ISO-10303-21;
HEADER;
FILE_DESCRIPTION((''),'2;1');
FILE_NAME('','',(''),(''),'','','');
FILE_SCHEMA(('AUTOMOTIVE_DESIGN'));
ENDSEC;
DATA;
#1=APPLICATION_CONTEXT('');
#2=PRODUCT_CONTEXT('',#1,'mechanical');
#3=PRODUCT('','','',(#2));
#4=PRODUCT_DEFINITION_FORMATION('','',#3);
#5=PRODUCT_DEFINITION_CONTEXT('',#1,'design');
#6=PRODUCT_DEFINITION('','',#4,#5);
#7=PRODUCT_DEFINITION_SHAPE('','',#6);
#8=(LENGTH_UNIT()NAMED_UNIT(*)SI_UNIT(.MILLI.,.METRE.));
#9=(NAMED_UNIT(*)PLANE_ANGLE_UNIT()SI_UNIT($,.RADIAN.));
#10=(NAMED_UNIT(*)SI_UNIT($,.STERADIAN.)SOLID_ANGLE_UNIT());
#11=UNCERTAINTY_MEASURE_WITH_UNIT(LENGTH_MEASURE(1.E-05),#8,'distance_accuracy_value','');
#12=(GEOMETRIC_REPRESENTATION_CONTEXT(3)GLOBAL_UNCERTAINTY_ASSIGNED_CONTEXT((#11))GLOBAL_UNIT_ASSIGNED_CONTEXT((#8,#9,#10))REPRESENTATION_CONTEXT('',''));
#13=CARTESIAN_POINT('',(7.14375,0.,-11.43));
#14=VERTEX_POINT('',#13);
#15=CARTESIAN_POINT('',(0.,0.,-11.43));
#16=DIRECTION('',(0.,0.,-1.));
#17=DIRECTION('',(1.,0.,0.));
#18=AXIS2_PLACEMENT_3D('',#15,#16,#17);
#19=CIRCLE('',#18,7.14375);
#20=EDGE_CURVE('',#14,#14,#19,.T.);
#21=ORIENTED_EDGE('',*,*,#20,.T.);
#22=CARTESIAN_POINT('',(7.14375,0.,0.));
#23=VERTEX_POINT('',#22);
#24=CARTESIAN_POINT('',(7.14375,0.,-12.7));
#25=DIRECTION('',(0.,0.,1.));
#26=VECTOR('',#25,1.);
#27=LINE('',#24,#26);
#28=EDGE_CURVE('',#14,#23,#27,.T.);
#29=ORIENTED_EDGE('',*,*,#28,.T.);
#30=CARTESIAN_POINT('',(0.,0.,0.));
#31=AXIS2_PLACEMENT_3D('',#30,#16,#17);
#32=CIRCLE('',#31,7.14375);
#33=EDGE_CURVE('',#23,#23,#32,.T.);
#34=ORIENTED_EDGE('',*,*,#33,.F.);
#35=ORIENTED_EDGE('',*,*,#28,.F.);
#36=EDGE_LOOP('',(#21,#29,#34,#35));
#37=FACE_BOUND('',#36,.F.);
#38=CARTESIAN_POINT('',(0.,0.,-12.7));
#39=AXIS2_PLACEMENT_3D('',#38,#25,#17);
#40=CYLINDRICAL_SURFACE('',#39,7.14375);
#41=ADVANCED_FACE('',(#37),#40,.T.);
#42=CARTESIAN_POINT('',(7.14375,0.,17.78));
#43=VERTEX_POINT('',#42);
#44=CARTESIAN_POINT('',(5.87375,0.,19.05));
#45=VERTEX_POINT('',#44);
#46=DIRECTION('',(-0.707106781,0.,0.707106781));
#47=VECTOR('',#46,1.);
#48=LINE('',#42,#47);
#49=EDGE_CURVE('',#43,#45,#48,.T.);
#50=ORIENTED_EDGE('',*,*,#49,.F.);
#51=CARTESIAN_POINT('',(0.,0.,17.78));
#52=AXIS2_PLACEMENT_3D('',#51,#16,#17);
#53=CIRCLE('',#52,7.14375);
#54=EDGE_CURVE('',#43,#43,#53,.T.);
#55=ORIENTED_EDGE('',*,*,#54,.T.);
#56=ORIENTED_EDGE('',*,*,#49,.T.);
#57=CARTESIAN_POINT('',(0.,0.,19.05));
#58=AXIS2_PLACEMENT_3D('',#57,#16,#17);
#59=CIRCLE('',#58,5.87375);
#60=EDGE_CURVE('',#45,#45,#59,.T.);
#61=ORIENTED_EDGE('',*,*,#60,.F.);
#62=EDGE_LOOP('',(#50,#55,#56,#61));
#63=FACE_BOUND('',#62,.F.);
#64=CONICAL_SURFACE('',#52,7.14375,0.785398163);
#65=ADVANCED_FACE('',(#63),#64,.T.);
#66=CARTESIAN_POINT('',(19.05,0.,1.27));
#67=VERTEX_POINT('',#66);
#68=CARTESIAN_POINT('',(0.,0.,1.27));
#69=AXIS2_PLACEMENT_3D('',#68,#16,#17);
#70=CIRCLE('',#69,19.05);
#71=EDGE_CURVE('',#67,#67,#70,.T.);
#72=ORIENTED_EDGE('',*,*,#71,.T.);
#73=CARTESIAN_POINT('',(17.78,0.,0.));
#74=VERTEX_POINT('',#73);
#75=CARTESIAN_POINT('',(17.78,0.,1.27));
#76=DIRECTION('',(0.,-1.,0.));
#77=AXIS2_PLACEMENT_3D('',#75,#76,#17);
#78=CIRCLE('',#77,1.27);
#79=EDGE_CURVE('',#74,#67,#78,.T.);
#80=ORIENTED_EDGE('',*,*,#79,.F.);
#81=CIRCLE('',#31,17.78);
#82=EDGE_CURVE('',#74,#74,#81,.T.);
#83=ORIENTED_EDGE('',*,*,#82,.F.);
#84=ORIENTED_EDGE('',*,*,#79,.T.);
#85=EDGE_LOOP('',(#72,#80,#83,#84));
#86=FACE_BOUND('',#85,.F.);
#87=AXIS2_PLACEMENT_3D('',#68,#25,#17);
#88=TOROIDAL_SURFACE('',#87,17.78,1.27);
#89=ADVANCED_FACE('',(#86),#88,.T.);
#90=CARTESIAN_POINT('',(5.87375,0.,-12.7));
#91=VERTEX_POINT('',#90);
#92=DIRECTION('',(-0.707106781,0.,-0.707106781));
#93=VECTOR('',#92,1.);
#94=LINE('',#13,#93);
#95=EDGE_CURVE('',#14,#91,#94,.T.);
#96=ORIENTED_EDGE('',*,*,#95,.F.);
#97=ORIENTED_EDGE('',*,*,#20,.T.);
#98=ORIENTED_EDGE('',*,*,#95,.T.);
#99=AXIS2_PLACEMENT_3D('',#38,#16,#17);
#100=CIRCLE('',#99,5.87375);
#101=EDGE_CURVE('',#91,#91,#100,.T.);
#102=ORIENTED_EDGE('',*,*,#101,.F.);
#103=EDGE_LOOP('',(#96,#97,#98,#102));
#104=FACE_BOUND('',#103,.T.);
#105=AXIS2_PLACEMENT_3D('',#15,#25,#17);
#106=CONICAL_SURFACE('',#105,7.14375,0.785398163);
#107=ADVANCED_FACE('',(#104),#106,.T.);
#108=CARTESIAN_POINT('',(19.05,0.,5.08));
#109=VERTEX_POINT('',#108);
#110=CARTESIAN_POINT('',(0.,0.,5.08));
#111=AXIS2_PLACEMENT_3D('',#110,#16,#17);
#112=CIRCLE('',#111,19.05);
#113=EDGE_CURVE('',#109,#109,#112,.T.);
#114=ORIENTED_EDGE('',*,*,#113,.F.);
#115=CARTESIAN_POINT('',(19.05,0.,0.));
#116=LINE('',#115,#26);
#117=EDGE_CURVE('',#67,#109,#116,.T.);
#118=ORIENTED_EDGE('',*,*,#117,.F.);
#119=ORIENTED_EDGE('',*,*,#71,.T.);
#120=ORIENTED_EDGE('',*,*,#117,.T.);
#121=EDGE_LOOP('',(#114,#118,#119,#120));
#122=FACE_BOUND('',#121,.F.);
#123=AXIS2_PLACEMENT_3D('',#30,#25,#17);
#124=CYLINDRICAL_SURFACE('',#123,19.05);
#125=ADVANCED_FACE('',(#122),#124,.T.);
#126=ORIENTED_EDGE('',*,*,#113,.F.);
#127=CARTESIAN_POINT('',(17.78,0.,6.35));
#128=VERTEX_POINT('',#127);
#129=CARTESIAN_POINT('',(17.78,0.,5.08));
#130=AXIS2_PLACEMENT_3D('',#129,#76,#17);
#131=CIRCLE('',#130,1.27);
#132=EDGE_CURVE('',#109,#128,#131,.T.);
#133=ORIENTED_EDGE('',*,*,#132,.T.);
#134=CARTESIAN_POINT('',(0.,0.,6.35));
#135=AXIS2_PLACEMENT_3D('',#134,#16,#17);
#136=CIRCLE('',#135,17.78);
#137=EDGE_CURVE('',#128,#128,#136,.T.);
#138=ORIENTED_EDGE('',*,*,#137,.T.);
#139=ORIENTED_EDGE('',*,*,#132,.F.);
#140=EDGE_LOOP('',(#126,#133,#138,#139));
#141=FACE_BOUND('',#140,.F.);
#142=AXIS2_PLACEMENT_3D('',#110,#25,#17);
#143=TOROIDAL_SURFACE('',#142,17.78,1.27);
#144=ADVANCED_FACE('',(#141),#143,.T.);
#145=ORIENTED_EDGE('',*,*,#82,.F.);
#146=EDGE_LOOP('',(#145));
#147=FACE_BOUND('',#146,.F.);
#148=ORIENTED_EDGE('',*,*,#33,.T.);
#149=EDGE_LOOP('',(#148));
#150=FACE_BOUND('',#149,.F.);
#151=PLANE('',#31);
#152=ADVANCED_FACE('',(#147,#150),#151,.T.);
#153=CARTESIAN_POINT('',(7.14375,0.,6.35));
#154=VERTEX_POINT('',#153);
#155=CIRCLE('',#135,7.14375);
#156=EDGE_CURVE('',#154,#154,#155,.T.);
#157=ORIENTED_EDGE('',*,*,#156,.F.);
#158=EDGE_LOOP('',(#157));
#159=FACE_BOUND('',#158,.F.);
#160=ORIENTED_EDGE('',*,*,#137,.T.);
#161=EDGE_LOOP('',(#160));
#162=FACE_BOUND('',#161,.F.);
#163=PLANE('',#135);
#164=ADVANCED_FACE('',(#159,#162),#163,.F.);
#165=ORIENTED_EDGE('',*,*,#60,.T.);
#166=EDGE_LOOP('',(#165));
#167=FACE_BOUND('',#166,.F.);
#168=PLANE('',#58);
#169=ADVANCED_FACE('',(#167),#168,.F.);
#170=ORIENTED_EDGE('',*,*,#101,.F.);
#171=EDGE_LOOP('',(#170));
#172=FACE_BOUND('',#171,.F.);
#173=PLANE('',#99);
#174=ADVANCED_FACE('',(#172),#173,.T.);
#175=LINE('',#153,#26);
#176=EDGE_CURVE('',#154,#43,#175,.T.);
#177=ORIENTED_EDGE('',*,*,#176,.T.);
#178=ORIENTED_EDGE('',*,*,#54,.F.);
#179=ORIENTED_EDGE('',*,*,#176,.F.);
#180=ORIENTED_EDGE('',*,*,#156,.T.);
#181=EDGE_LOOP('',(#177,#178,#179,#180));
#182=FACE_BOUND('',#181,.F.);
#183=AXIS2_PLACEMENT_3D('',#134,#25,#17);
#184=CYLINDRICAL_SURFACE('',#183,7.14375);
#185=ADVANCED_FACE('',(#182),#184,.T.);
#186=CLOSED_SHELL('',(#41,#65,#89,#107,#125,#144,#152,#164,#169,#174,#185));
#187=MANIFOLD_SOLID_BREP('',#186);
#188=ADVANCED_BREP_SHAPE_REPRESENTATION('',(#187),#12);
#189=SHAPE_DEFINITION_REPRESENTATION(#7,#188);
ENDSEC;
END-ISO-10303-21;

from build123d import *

# Parameters (mm, degrees)
F2_R    = 1.27
F3_SIZE = 1.27


with BuildPart() as f1:
    # F0 (on Front) → F1 (revolve)
    with BuildSketch(Plane.XZ):
        Polygon((7.14375, 19.05), (0, 19.05), (0, -12.7), (7.14375, -12.7), (7.14375, 0), (19.05, 0), (19.05, 6.35), (7.14375, 6.35), align=None)
    revolve(axis=Axis((0, 0, 3.175), (0, 0, -1)))

    # F2
    f2_edges = [f1.edges().sort_by_distance(p)[0] for p in [
        (-19.05, 0, 6.35),
        (-19.05, 0, 0),
    ]]
    fillet(f2_edges, radius=F2_R)

    # F3
    f3_edges = [f1.edges().sort_by_distance(p)[0] for p in [
        (-7.14375, 0, 19.05),
        (-7.14375, 0, -12.7),
    ]]
    chamfer(f3_edges, length=F3_SIZE)


solid = f1.part
